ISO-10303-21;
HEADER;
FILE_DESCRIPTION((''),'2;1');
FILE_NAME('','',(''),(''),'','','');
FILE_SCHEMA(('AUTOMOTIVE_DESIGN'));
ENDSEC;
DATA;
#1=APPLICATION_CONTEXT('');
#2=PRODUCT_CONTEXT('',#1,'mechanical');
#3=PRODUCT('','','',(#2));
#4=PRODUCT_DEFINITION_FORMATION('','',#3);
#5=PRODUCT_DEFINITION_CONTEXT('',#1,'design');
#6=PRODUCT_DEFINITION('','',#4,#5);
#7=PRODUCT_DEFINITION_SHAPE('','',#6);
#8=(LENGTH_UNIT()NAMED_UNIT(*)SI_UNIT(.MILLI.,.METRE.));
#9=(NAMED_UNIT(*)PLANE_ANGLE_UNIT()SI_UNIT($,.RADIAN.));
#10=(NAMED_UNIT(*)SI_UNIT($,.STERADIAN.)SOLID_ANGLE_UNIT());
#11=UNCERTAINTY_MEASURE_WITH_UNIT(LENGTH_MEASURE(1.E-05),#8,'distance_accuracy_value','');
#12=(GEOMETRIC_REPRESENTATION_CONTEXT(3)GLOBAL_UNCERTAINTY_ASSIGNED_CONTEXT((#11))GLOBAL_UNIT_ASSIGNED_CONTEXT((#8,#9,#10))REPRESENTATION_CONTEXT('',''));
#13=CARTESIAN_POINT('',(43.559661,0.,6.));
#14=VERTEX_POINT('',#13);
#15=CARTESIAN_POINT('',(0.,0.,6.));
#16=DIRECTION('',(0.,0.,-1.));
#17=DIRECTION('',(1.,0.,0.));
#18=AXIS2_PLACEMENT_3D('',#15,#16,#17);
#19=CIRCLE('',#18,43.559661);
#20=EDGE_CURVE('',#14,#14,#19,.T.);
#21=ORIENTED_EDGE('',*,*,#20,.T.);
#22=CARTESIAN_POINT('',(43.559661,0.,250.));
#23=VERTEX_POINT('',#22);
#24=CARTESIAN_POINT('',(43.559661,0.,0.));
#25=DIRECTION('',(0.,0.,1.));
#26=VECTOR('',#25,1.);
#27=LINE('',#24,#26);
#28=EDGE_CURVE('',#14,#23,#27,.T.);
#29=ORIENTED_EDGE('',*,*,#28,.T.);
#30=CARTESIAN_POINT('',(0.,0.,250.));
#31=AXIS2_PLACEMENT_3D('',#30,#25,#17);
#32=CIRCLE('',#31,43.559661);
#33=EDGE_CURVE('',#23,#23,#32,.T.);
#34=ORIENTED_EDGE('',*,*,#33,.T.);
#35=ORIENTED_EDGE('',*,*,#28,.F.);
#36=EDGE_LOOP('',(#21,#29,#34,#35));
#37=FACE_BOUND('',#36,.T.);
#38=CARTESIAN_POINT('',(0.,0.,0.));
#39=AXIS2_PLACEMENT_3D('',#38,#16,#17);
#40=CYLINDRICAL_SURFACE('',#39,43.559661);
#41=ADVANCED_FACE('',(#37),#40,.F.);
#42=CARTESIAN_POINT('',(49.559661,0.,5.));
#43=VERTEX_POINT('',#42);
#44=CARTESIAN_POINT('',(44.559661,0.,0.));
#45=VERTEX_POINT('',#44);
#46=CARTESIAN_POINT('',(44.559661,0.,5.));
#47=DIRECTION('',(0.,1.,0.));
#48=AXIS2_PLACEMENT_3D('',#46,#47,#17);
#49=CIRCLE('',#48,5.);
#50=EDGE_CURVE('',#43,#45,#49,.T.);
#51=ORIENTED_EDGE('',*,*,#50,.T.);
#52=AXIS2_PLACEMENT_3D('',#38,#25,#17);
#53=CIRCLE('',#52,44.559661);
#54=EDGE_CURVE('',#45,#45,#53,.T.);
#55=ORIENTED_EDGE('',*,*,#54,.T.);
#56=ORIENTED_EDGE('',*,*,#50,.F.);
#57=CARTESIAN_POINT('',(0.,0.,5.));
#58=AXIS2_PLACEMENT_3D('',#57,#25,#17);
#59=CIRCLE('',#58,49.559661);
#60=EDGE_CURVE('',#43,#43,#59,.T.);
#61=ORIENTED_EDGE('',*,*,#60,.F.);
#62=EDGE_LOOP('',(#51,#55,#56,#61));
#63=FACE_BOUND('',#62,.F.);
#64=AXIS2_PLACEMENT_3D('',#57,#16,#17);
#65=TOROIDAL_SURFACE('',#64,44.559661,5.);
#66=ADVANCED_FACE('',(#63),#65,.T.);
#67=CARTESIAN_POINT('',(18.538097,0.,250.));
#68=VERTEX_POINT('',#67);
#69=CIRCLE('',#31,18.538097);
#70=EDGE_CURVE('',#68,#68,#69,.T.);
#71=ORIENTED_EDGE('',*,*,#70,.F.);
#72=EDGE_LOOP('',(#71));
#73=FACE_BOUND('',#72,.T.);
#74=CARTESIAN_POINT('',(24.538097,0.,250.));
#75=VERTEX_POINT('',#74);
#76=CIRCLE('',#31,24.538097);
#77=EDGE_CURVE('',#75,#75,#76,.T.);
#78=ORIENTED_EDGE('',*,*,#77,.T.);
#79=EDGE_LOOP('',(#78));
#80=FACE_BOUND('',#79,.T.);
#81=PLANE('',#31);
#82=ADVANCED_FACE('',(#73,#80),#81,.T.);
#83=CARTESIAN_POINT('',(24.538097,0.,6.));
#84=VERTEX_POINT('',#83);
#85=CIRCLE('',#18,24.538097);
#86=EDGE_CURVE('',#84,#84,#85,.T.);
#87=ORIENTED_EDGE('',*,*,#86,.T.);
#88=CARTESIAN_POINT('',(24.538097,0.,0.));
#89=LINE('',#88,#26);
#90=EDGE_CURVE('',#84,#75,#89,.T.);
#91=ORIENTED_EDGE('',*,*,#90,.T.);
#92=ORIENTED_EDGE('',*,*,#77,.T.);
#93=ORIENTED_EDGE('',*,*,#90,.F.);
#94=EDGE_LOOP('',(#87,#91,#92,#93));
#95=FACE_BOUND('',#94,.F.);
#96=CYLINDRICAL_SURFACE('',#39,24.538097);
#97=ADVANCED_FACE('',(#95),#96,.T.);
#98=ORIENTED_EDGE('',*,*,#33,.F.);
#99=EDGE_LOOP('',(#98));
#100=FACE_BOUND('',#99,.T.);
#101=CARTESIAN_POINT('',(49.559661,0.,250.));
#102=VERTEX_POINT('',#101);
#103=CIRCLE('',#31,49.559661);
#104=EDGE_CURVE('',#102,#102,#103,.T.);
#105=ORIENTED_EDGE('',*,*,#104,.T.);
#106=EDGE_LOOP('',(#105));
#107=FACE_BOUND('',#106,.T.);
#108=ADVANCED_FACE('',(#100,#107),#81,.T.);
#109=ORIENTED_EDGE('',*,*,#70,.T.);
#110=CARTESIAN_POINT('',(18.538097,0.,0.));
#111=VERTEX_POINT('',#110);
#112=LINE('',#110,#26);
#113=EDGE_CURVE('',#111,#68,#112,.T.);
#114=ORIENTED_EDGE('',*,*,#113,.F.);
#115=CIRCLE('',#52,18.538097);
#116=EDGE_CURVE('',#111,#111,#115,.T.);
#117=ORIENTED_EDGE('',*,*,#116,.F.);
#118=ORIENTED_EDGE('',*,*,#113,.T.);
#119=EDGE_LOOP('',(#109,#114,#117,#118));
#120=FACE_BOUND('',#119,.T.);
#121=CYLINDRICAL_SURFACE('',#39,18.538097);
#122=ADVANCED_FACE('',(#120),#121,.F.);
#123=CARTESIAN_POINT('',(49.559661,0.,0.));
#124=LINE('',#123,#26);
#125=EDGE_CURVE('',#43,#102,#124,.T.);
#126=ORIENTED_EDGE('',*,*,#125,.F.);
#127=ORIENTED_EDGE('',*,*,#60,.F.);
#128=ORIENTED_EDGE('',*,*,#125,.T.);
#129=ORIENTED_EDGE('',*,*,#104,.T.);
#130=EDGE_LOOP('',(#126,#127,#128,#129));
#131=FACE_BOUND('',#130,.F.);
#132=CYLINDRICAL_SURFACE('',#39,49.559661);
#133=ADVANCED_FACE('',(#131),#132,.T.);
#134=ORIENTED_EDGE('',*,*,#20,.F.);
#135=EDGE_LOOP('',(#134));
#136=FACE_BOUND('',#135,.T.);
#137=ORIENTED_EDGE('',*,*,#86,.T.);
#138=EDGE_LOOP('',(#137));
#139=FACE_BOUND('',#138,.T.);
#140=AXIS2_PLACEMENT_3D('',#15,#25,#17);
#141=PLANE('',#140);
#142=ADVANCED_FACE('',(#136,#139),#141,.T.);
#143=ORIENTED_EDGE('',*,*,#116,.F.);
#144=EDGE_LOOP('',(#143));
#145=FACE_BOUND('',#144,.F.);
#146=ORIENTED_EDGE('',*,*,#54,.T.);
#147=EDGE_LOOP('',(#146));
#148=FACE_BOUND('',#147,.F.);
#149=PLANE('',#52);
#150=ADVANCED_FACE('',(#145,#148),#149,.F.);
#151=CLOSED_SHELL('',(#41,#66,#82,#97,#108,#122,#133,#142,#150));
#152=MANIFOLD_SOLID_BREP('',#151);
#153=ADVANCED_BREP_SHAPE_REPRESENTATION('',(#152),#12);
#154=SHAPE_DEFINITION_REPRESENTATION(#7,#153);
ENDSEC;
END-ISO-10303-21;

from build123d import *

# Parameters (mm, degrees)
F0_R     = 49.559661
F0_R_2   = 18.538097
F1_DEPTH = 250
F2_R     = 5
F3_T     = -6


with BuildPart() as f1:
    # F0 (on Top) → F1 (new body)
    with BuildSketch(Plane.XY):
        Circle(F0_R)
        Circle(F0_R_2, mode=Mode.SUBTRACT)
    extrude(amount=F1_DEPTH)

    # F2
    f2_edges = [f1.edges().sort_by_distance(p)[0] for p in [
        (-49.559661, 0, 0),
    ]]
    fillet(f2_edges, radius=F2_R)

    # F3
    f3_openings = [f1.faces().sort_by_distance(p)[0] for p in [
        (-48.157902, 0, 250),
    ]]
    offset(amount=F3_T, openings=f3_openings)


solid = f1.part
